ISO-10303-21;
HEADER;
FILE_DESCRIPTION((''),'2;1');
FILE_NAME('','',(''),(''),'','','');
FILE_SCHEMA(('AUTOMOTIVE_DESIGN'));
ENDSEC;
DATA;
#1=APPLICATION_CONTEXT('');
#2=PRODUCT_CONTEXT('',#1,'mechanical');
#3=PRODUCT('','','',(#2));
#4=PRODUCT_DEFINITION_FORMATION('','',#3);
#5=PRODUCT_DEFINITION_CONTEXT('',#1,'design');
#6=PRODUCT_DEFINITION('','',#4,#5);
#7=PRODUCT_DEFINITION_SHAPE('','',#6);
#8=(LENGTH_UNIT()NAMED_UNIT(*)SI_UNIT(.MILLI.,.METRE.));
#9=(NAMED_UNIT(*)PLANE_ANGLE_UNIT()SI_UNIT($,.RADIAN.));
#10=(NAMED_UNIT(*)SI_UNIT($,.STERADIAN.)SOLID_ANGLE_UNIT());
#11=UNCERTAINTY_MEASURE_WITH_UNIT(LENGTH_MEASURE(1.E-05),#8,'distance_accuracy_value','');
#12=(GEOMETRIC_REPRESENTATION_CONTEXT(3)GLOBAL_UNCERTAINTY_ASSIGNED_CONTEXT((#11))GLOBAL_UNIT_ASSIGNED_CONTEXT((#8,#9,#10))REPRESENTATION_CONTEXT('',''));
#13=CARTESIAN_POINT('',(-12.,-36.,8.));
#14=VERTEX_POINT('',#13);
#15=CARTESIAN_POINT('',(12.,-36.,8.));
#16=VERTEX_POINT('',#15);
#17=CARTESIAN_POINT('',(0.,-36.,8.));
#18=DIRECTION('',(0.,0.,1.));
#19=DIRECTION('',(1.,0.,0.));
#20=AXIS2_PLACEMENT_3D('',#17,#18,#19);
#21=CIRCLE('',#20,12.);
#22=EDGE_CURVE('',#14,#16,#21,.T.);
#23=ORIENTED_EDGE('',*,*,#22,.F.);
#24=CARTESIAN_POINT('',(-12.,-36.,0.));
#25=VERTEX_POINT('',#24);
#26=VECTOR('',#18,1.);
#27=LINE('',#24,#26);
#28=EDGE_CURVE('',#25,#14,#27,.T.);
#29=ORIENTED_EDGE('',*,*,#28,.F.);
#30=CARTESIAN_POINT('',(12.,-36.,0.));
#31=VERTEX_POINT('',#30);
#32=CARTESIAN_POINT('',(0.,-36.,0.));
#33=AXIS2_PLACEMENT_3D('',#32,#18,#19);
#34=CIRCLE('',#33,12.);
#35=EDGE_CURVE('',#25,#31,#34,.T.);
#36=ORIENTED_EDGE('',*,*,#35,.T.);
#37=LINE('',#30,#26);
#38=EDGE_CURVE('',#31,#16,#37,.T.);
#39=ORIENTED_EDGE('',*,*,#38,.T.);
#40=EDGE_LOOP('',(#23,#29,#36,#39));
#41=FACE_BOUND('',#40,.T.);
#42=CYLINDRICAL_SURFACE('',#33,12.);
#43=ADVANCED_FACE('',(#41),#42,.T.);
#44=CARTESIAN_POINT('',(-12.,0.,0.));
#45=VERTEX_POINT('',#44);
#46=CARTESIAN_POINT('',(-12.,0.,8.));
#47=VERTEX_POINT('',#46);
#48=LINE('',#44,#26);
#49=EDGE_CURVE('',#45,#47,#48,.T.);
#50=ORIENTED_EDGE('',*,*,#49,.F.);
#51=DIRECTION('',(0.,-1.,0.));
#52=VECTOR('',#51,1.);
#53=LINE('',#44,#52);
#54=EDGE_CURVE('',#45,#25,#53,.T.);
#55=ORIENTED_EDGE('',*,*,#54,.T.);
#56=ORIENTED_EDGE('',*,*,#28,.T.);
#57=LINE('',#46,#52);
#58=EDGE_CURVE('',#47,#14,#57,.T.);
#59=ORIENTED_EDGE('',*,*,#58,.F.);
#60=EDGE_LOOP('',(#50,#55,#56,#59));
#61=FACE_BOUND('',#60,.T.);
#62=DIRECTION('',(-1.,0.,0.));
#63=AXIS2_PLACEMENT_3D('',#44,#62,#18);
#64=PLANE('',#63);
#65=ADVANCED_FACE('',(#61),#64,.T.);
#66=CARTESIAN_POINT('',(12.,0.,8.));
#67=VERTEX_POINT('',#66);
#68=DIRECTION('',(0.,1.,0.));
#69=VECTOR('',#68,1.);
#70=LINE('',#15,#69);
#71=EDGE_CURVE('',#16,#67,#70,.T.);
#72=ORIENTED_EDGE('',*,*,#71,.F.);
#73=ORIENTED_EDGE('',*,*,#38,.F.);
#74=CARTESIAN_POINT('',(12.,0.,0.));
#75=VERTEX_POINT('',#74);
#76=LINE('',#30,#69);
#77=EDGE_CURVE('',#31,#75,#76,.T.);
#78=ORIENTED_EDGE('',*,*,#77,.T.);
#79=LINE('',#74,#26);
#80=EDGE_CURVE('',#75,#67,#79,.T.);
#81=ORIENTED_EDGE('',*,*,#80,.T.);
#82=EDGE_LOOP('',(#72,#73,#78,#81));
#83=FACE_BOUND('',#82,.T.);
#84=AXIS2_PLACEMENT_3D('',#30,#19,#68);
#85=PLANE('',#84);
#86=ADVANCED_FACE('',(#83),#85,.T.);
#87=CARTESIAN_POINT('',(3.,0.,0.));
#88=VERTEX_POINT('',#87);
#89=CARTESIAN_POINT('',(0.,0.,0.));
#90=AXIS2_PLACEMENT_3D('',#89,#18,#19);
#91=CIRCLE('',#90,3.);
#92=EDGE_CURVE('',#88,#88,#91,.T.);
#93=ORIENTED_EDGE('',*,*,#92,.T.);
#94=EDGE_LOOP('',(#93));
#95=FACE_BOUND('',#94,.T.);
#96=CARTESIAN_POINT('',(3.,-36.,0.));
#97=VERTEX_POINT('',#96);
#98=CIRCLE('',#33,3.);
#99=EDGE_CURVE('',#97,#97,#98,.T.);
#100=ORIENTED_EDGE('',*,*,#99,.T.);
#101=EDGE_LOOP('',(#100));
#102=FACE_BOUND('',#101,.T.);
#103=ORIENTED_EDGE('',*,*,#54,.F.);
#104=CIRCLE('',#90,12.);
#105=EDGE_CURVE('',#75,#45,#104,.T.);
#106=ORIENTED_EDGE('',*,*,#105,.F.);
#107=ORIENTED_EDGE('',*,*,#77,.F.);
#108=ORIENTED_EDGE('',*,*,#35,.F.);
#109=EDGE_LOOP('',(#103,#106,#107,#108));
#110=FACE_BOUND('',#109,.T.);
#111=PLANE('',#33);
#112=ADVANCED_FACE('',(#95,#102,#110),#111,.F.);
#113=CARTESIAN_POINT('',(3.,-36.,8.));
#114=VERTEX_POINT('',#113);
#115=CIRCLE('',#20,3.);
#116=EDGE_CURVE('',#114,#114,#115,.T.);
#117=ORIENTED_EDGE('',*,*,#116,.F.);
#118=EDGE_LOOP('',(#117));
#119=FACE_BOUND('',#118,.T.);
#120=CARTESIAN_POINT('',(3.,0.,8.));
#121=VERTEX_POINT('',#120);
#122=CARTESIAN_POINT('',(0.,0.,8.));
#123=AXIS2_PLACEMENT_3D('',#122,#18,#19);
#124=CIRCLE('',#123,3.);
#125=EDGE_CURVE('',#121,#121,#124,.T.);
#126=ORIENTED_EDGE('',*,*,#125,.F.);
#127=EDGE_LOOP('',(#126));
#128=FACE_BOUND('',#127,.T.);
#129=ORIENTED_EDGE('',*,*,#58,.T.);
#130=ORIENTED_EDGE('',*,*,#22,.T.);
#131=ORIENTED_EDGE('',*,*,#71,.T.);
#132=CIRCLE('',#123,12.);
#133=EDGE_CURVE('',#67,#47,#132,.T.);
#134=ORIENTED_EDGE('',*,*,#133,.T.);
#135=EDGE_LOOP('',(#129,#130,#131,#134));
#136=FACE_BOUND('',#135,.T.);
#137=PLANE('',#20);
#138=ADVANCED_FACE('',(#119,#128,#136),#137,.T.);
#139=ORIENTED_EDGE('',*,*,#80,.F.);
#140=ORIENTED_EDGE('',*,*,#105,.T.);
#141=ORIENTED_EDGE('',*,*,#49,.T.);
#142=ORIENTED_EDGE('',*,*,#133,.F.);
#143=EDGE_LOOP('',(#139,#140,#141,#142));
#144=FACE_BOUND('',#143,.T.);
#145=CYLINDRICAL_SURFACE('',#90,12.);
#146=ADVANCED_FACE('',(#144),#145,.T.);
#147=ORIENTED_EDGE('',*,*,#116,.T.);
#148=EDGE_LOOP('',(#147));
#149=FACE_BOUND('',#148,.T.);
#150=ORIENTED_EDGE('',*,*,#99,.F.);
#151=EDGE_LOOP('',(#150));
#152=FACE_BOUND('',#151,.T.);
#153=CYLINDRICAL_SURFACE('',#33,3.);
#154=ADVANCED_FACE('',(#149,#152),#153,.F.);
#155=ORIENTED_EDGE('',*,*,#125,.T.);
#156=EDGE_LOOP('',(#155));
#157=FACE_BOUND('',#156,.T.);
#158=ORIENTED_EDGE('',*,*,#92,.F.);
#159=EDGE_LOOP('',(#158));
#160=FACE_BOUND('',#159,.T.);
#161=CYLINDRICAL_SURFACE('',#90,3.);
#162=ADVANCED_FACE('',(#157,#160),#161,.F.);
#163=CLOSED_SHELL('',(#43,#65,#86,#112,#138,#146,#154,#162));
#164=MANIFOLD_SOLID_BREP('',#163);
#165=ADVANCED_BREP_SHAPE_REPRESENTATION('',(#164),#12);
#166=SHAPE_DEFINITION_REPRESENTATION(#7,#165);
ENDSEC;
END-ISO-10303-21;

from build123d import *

# Parameters (mm, degrees)
SKETCH_1_R      = 3
EXTRUDE_1_DEPTH = 8


with BuildPart() as part:
    # 草图1 → 凸台-拉伸1 (new body)
    with BuildSketch(Plane.XY.offset(8)):
        with BuildLine():
            Line((12, -36), (12, 0))
            ThreePointArc((12, 0), (0, 12), (-12, 0))
            Line((-12, 0), (-12, -36))
            ThreePointArc((-12, -36), (0, -48), (12, -36))
        make_face()
        with Locations((0, -36)):
            Circle(SKETCH_1_R, mode=Mode.SUBTRACT)
        Circle(SKETCH_1_R, mode=Mode.SUBTRACT)
    extrude(amount=-EXTRUDE_1_DEPTH)


solid = part.part
